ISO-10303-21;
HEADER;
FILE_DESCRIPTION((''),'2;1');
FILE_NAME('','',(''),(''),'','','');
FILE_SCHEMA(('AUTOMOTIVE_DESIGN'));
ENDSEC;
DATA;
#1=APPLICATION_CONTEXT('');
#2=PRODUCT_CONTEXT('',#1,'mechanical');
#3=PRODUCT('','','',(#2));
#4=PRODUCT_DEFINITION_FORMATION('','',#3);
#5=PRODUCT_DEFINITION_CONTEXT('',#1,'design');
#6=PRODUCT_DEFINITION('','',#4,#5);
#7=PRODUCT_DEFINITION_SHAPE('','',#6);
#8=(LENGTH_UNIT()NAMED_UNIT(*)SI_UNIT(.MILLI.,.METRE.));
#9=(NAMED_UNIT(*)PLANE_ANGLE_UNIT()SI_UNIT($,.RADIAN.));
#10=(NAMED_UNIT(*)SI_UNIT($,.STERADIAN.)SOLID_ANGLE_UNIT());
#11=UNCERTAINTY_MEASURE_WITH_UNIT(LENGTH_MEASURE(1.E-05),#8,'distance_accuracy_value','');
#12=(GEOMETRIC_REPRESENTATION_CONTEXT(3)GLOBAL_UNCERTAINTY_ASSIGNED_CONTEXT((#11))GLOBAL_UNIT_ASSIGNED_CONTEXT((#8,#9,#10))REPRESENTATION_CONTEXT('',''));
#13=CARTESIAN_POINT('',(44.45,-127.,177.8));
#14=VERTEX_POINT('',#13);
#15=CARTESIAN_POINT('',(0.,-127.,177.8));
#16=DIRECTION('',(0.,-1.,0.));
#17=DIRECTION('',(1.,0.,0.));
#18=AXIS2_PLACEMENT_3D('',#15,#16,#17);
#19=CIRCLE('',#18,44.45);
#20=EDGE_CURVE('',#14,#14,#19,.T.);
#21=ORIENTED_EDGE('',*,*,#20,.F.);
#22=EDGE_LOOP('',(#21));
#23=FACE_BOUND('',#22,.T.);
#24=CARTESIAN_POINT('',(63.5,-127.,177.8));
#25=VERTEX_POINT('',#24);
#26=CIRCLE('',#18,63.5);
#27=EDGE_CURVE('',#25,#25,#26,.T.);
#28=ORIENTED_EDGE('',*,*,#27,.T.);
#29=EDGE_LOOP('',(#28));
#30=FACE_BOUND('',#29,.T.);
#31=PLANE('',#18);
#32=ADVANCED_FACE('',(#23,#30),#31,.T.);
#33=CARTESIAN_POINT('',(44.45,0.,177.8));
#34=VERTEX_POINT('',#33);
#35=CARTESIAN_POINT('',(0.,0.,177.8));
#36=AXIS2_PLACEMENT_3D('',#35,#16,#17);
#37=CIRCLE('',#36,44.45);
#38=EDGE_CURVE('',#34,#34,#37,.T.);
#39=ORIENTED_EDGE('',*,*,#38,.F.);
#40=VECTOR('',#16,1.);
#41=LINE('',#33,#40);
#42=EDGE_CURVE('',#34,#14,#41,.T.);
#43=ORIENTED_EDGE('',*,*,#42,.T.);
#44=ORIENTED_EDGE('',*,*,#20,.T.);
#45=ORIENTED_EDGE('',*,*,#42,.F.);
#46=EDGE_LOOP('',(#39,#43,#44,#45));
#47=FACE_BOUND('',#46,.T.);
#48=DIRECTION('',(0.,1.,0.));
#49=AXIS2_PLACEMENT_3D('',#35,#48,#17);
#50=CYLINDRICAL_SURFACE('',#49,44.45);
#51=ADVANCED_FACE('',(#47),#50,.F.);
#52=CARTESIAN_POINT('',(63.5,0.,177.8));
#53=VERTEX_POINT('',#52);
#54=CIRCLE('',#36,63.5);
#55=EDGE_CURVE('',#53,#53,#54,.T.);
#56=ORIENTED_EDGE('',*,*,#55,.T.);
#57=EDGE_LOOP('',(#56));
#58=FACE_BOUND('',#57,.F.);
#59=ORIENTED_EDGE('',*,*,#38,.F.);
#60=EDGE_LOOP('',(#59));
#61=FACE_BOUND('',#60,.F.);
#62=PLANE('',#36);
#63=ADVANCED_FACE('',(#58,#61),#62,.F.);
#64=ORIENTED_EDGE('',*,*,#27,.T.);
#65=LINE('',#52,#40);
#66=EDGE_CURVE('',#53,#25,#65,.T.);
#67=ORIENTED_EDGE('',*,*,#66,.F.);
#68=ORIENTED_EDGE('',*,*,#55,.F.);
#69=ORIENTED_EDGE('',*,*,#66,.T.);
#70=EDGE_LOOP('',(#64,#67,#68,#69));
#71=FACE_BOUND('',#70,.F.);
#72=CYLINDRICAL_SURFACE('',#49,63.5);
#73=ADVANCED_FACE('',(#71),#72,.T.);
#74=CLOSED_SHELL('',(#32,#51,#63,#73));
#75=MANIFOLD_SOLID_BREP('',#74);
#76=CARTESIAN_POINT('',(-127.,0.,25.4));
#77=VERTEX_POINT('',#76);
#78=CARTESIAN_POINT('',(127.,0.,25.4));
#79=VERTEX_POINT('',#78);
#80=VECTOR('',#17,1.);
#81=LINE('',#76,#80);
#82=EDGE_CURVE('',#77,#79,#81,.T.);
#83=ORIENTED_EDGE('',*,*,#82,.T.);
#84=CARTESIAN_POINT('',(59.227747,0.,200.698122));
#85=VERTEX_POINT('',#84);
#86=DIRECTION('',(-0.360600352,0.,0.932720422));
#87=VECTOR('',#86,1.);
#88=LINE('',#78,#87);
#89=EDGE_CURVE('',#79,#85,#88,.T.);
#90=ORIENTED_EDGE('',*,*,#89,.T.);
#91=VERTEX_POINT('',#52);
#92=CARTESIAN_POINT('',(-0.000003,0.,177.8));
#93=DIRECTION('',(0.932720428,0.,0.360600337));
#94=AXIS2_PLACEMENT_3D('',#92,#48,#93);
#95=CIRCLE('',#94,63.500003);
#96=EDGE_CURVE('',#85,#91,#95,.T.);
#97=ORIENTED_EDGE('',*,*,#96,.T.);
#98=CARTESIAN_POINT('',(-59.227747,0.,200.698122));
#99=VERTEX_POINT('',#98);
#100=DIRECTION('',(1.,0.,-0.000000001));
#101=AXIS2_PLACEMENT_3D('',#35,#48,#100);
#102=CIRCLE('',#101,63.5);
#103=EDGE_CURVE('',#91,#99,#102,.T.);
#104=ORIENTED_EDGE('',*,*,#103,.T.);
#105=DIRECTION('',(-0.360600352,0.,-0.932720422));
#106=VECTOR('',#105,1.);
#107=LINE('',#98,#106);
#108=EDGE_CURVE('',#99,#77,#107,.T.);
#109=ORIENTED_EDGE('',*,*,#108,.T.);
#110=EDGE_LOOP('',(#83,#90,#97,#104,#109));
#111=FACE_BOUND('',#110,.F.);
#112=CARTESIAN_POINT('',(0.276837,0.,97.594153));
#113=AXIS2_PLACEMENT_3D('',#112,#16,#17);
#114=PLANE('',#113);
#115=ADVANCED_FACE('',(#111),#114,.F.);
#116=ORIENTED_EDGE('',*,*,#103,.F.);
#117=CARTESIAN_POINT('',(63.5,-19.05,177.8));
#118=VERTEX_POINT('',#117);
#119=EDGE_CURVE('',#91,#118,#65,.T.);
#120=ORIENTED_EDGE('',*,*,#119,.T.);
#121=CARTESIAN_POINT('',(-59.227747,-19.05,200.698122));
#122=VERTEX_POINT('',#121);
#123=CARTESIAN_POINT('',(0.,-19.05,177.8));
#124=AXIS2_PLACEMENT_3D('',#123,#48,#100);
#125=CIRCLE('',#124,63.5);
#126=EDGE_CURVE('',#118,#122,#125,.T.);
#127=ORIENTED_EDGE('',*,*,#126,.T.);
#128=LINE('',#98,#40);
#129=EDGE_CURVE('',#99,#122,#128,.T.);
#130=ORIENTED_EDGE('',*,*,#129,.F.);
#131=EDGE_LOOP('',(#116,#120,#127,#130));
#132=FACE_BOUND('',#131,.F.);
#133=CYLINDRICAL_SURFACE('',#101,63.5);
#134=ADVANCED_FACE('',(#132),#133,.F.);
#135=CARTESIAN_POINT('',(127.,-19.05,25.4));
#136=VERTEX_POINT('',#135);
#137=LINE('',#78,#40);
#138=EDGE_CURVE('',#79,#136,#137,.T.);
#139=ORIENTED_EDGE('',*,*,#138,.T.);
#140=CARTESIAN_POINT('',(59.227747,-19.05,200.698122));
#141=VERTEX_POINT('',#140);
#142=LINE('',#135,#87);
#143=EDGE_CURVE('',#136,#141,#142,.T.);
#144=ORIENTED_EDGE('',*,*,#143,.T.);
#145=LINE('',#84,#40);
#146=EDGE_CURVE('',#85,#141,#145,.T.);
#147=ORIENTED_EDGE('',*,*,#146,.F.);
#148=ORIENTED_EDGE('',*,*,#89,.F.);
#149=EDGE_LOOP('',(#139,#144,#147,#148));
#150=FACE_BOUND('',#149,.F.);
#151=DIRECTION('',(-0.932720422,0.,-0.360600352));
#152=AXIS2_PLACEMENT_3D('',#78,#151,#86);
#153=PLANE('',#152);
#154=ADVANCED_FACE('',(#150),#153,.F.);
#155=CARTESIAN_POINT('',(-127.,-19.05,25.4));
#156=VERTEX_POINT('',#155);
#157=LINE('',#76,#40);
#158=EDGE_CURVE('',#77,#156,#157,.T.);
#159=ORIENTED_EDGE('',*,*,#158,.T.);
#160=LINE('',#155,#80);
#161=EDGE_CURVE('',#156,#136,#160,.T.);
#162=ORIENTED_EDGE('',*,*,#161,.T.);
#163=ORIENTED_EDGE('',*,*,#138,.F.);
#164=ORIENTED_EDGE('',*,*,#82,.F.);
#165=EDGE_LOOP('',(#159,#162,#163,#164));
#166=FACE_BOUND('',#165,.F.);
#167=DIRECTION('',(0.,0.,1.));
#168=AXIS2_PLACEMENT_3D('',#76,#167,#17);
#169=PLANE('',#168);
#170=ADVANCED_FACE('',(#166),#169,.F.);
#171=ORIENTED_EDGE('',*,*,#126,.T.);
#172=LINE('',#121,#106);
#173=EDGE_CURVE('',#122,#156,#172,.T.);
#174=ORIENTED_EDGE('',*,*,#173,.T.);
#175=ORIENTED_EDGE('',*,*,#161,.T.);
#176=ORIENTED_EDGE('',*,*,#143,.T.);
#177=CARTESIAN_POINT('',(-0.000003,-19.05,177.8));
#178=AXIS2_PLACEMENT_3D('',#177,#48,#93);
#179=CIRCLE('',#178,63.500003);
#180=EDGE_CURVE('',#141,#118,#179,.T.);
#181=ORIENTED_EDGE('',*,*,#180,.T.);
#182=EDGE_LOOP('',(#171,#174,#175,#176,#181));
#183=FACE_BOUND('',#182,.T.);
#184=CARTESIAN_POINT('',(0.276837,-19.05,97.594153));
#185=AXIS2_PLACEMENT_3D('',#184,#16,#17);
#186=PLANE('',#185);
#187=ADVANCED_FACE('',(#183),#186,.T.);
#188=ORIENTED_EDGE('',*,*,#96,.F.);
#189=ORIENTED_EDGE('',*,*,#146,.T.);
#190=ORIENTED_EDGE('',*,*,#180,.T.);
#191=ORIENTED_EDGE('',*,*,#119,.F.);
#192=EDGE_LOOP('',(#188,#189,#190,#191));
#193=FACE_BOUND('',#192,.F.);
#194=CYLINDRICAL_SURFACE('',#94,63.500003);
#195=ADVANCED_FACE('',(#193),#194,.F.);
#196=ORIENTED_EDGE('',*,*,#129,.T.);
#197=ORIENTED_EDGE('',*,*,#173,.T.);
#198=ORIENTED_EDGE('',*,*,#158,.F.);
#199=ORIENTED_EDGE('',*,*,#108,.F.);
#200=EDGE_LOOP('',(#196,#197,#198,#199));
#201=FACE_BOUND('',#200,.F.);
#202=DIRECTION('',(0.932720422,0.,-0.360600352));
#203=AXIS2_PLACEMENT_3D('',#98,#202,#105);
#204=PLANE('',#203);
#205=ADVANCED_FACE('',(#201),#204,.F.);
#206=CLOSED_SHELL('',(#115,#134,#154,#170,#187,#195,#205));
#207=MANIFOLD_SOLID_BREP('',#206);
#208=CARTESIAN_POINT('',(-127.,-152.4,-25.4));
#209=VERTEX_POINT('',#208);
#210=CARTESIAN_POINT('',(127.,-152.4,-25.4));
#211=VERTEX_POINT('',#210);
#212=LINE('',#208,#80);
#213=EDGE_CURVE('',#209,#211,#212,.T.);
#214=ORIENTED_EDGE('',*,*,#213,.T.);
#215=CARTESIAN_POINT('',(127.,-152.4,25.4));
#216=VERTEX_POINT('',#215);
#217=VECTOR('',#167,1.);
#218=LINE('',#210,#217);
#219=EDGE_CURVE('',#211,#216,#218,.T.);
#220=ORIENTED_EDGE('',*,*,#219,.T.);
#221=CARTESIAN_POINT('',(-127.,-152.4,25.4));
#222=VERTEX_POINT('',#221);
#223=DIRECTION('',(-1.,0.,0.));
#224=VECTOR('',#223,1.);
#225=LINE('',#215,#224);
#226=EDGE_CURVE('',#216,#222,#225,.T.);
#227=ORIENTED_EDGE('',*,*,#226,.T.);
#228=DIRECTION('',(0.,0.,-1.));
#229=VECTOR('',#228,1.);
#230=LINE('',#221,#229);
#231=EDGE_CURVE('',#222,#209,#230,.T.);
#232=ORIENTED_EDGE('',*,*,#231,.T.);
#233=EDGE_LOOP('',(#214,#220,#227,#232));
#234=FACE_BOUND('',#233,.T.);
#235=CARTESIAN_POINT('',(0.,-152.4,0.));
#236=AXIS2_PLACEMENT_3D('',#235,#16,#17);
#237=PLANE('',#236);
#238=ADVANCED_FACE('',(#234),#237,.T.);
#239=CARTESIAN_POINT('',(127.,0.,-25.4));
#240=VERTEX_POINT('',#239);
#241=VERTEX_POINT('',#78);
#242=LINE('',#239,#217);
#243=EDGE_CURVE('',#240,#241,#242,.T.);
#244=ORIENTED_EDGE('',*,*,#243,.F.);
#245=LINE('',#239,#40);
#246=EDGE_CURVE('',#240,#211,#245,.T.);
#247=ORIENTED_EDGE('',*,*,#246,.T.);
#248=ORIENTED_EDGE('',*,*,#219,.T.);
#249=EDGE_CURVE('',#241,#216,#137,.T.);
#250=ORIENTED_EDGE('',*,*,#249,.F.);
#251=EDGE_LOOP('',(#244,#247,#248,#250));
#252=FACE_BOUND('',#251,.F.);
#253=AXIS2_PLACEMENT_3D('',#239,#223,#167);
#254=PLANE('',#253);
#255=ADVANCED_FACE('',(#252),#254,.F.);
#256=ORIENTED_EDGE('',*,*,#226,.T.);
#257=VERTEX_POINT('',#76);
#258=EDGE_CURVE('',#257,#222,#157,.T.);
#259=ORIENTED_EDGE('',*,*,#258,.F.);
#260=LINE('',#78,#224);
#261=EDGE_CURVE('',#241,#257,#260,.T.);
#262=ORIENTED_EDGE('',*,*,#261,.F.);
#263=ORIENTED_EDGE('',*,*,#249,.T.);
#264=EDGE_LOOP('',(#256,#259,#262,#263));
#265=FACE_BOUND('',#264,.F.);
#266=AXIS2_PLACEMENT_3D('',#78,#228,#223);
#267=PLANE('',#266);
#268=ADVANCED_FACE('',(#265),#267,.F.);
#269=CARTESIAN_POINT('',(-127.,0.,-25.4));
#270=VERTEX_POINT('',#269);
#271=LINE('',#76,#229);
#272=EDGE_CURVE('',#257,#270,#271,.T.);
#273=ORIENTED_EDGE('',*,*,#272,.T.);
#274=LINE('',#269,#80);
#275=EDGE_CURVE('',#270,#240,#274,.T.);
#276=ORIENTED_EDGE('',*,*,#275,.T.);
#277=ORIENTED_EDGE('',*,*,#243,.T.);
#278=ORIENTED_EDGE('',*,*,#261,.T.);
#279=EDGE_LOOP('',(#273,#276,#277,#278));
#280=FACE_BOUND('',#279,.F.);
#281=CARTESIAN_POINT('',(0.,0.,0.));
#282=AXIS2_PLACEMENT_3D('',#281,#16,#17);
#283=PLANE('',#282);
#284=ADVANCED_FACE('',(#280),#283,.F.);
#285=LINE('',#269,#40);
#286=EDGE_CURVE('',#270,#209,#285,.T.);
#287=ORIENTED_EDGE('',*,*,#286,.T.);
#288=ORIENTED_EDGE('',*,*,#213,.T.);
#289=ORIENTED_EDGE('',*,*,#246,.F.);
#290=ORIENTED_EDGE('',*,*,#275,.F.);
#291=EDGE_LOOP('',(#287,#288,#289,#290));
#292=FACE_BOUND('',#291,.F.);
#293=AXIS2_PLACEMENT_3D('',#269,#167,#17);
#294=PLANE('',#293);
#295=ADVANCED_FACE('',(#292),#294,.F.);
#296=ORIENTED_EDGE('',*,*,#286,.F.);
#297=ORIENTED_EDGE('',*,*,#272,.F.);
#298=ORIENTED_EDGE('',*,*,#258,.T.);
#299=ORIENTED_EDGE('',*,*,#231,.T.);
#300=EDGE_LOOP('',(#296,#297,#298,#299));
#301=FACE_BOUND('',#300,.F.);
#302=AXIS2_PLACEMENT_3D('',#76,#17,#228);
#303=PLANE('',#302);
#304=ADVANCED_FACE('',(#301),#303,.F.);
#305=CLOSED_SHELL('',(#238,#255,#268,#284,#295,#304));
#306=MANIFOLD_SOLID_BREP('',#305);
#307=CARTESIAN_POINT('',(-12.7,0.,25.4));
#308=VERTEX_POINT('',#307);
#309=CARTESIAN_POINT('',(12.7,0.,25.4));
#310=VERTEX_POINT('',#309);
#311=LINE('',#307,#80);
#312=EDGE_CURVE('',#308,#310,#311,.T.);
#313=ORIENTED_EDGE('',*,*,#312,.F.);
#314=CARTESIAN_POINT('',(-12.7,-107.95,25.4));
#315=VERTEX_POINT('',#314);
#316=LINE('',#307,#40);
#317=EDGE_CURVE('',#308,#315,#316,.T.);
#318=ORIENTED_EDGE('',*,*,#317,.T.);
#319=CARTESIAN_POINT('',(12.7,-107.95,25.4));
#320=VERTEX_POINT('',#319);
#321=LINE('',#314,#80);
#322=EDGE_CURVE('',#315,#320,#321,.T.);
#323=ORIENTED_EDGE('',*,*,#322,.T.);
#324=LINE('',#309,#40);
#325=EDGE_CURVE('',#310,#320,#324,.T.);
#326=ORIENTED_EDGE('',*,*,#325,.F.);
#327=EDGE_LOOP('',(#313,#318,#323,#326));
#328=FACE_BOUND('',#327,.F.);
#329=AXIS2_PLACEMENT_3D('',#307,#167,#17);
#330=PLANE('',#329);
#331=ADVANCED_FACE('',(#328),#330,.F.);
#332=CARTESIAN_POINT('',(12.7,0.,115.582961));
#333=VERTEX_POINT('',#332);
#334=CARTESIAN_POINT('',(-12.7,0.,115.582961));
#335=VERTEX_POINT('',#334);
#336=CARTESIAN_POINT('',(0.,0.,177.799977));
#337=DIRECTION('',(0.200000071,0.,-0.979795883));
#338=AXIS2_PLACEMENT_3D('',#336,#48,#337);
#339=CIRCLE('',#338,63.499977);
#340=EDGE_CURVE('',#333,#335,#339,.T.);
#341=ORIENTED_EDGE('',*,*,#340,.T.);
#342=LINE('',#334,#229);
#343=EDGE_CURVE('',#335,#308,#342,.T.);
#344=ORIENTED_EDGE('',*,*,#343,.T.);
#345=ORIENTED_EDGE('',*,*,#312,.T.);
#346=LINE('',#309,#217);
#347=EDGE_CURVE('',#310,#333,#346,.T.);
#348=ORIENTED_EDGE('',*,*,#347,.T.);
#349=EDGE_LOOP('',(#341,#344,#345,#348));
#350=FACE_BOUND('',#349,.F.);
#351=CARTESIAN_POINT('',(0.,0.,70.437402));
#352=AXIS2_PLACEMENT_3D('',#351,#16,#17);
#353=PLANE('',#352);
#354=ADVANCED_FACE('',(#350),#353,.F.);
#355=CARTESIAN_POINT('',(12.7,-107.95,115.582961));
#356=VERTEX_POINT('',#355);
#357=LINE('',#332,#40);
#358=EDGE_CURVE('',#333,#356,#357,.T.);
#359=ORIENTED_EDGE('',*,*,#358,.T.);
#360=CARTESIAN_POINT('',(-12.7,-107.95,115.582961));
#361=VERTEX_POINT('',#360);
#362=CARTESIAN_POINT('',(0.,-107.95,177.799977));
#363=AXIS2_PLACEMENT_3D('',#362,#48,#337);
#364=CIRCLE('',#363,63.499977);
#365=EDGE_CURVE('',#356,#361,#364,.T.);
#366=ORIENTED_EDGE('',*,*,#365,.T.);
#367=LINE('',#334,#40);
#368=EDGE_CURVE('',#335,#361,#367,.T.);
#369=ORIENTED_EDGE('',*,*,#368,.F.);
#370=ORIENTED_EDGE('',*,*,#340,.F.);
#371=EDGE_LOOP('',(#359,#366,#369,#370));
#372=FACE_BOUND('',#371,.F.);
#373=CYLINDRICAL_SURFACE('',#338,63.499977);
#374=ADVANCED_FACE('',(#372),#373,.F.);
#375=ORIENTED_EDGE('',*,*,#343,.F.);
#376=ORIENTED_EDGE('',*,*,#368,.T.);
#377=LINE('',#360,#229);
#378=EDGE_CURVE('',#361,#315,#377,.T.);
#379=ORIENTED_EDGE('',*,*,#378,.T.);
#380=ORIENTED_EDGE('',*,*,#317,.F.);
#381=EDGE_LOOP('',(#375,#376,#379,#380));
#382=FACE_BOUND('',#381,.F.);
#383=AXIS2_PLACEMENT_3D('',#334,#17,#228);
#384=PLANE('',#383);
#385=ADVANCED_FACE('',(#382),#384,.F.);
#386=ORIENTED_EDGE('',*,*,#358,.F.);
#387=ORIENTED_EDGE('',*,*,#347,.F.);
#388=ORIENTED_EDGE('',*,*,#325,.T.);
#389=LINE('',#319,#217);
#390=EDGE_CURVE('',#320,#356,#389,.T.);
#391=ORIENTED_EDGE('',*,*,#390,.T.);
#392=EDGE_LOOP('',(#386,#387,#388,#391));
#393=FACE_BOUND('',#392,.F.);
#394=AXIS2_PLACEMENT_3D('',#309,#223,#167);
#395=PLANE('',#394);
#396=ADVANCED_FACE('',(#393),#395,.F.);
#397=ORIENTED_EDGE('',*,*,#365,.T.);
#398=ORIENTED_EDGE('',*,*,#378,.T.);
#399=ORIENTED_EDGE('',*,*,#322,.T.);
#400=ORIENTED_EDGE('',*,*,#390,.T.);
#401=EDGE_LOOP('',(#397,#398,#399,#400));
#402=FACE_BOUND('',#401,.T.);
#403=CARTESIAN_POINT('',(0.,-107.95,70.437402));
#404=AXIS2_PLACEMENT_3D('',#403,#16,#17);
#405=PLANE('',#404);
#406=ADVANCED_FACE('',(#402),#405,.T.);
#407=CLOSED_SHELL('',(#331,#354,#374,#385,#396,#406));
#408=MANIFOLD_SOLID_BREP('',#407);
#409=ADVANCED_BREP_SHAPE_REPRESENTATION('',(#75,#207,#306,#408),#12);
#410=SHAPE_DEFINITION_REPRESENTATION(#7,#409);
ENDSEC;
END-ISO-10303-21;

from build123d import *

# Parameters (mm, degrees)
F1_DEPTH = 152.4
F2_R     = 63.5
F2_R_2   = 44.45
F3_DEPTH = 127
F5_DEPTH = 107.95
F7_DEPTH = 19.05


with BuildPart() as f1:
    # F0 (on Front) → F1 (new body)
    with BuildSketch(Plane.XZ):
        Polygon((-127, -25.4), (127, -25.4), (127, 25.4), (9.525, 25.4), (-9.525, 25.4), (-127, 25.4), align=None)
    extrude(amount=F1_DEPTH)


with BuildPart() as f3:
    # F2 (on Front) → F3 (new body)
    with BuildSketch(Plane.XZ):
        with Locations((0, 177.8)):
            Circle(F2_R)
        with Locations((0, 177.8)):
            Circle(F2_R_2, mode=Mode.SUBTRACT)
    extrude(amount=F3_DEPTH)


with BuildPart() as f5:
    # F4 (on Front) → F5 (new body)
    with BuildSketch(Plane.XZ):
        with BuildLine():
            Line((-12.7, 115.582961), (-12.7, 25.4))
            Line((-12.7, 25.4), (12.7, 25.4))
            Line((12.7, 25.4), (12.7, 115.582961))
            ThreePointArc((12.7, 115.582961), (0, 114.3), (-12.7, 115.582961))
        make_face()
    extrude(amount=F5_DEPTH)


with BuildPart() as f7:
    # F6 (on Front) → F7 (new body)
    with BuildSketch(Plane.XZ):
        with BuildLine():
            ThreePointArc((59.227747, 200.698122), (62.4228, 189.446632), (63.5, 177.8))
            ThreePointArc((63.5, 177.8), (-11.646632, 115.3772), (-59.227747, 200.698122))
            Line((-59.227747, 200.698122), (-127, 25.4))
            Line((-127, 25.4), (127, 25.4))
            Line((127, 25.4), (59.227747, 200.698122))
        make_face()
    extrude(amount=F7_DEPTH)


solid = Compound([f1.part, f3.part, f5.part, f7.part])
